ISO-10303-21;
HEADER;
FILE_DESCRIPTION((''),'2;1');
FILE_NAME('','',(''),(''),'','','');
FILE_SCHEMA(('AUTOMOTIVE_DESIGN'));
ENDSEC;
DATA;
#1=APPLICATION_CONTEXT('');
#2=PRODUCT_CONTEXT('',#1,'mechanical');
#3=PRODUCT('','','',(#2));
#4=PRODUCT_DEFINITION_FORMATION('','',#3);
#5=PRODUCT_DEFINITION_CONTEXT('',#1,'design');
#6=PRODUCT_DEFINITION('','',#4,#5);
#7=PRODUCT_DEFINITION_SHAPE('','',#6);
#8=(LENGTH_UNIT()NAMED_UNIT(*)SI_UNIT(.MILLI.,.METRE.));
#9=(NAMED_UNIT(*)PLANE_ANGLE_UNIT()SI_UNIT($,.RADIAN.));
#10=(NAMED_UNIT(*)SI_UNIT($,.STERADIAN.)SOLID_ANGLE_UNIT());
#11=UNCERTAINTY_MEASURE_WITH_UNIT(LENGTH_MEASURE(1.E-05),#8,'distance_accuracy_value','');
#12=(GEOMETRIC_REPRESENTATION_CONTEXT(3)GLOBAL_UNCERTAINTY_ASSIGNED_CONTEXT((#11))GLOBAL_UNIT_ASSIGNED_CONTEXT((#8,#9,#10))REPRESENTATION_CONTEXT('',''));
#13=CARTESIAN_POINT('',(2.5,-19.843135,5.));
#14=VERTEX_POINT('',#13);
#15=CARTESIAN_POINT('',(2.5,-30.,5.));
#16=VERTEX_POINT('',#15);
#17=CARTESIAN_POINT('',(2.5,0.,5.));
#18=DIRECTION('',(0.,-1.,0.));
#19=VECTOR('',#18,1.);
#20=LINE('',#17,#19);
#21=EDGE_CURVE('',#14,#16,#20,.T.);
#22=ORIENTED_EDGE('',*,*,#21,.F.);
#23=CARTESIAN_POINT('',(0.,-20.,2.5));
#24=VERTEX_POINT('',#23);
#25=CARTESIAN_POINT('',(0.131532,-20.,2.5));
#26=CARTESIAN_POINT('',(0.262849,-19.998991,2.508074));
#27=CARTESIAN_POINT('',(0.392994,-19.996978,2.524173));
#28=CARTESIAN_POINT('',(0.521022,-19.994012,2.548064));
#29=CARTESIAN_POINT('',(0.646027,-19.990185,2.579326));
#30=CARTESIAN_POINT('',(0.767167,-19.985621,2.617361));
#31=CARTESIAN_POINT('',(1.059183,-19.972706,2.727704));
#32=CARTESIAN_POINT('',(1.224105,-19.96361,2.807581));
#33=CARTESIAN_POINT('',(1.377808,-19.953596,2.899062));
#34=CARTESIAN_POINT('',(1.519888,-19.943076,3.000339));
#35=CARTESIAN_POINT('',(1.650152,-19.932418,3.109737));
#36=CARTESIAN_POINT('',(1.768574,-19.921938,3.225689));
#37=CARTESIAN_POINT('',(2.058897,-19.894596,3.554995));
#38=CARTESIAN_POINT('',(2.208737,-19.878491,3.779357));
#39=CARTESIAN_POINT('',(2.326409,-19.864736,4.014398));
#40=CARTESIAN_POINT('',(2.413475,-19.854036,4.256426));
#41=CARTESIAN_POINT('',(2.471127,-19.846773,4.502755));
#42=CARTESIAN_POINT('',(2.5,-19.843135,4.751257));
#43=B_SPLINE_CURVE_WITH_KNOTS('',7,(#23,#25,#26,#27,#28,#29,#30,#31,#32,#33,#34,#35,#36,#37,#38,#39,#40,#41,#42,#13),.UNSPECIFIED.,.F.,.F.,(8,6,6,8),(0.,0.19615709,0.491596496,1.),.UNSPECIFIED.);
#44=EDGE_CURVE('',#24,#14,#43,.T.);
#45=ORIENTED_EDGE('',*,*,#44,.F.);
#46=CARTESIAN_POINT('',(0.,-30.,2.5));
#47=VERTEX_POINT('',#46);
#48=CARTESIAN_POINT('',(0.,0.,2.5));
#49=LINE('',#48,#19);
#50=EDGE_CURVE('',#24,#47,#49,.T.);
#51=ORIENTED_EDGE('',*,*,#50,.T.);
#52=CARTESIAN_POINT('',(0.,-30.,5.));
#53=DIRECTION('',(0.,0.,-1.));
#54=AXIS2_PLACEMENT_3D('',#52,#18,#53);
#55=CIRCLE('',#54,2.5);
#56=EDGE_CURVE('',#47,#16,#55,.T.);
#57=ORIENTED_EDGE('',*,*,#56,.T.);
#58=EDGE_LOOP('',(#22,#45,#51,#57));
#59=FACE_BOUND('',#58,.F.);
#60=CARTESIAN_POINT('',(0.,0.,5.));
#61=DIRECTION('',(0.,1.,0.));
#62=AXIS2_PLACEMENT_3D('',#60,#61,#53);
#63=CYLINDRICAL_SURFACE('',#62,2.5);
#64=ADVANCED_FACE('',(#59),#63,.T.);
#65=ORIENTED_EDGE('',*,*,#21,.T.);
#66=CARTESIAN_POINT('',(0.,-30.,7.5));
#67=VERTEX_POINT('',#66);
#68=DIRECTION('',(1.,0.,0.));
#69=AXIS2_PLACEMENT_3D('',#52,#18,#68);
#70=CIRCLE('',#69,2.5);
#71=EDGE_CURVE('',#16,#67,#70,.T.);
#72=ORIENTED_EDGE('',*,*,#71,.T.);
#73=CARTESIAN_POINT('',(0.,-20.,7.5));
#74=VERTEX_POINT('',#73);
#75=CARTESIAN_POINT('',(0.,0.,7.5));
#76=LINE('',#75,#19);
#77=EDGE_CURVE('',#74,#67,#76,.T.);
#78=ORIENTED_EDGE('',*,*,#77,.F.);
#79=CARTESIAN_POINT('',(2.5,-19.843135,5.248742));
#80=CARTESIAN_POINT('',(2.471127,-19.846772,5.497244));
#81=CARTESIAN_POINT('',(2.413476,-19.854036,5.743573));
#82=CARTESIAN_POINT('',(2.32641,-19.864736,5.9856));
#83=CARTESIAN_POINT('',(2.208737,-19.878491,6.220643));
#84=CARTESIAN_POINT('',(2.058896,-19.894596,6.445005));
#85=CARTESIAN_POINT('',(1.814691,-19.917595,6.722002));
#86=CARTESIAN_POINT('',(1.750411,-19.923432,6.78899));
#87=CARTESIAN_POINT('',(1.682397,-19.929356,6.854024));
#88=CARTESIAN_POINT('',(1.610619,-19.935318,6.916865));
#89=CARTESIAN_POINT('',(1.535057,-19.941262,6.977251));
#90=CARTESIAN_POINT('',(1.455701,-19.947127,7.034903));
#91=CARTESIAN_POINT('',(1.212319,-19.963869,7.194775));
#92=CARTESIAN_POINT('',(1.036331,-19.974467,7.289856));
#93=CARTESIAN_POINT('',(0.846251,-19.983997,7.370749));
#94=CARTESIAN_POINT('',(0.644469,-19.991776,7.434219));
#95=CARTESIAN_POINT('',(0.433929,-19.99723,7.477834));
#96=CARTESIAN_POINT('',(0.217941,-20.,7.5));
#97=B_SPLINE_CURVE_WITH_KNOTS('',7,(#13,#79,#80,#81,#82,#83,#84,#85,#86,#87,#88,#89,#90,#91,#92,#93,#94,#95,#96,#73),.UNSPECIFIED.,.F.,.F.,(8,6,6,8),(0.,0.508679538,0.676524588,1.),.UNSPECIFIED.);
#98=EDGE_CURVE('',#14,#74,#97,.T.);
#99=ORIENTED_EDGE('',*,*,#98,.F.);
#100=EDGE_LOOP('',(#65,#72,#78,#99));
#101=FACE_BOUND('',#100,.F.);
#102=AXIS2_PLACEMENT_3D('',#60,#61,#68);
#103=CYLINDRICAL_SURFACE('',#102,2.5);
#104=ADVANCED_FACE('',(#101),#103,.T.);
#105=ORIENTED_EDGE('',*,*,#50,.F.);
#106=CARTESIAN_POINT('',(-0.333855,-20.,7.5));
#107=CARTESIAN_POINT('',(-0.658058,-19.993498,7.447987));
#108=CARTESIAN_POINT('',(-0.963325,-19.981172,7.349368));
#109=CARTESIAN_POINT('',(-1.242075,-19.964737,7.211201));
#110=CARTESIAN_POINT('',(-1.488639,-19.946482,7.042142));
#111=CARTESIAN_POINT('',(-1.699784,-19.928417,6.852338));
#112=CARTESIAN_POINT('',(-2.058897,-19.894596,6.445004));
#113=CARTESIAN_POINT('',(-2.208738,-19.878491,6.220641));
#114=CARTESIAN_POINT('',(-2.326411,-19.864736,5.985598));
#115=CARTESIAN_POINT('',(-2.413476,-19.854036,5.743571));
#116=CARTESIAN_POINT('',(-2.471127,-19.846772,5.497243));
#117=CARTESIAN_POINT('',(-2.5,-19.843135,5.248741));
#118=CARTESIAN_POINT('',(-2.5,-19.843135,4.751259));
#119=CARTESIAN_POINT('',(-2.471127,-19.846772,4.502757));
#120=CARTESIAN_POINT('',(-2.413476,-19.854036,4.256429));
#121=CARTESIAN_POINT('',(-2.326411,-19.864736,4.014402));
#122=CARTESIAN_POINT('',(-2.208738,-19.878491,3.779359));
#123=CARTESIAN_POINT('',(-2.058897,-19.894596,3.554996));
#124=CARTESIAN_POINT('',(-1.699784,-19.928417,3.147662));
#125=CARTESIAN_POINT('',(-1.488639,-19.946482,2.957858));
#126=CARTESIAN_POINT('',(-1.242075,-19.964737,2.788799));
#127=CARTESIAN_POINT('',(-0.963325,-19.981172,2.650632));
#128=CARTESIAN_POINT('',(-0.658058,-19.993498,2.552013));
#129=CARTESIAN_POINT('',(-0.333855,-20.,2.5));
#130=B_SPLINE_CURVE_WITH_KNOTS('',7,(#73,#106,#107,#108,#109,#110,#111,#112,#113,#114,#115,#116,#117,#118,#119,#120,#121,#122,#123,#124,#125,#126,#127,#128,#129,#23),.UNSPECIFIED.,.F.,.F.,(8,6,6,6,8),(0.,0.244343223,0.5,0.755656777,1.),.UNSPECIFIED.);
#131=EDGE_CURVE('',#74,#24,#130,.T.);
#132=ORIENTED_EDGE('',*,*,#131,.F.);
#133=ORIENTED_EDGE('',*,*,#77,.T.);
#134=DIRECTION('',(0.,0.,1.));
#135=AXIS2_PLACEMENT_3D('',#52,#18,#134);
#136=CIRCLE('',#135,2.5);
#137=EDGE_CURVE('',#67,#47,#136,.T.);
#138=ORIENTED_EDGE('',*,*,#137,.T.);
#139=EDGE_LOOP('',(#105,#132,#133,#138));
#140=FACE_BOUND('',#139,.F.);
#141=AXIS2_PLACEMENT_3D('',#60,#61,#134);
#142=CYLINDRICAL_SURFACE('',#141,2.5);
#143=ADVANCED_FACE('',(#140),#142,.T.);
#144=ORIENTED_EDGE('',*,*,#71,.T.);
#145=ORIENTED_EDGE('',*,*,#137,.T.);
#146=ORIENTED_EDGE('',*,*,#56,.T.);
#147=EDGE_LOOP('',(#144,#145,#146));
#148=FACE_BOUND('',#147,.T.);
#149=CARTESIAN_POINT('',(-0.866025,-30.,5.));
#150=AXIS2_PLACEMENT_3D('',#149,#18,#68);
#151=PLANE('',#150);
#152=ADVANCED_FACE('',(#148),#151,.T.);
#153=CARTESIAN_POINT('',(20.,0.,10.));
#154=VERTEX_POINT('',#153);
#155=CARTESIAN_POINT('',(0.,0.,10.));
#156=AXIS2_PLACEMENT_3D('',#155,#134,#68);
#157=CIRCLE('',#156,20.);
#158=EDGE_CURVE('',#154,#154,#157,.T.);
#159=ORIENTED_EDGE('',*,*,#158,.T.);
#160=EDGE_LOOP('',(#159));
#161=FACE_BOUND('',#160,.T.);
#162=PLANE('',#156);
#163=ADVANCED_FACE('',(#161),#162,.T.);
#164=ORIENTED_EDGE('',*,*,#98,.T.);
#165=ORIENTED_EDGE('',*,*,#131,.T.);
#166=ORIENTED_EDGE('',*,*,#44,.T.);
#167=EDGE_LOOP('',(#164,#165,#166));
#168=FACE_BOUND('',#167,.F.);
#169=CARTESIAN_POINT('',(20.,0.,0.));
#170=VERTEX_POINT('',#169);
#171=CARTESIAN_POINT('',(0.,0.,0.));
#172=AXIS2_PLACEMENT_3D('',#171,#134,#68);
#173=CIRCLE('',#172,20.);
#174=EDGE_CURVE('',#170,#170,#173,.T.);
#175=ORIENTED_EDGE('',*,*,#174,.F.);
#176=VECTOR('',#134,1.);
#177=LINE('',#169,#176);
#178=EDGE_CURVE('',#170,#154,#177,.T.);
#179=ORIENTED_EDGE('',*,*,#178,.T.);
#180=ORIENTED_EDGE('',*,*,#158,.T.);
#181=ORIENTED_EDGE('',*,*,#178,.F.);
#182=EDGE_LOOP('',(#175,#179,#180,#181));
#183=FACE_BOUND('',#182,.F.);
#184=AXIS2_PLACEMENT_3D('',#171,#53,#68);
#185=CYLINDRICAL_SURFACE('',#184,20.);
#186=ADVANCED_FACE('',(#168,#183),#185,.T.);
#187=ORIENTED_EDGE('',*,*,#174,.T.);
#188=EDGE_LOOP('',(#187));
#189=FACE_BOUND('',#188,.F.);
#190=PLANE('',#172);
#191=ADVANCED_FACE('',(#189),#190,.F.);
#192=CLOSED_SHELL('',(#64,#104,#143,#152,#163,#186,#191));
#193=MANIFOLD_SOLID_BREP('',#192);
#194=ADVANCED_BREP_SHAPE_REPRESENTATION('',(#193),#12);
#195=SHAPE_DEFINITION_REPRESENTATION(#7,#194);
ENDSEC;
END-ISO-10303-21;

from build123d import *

# Parameters (mm, degrees)
F2_R     = 20
F3_DEPTH = 10
F5_DEPTH = 30


with BuildPart() as f3:
    # F2 (on Top) → F3 (new body)
    with BuildSketch(Plane.XY):
        Circle(F2_R)
    extrude(amount=F3_DEPTH)

    # F4 (on Front) → F5 (join)
    with BuildSketch(Plane.XZ):
        with BuildLine():
            ThreePointArc((0, 7.5), (-2.5, 5), (0, 2.5))
            Line((0, 2.5), (0, 7.5))
        make_face()
        with BuildLine():
            Line((0, 7.5), (0, 2.5))
            ThreePointArc((0, 2.5), (1.767766953, 3.232233047), (2.5, 5))
            ThreePointArc((2.5, 5), (1.767766953, 6.767766953), (0, 7.5))
        make_face()
    extrude(amount=F5_DEPTH)


solid = f3.part
